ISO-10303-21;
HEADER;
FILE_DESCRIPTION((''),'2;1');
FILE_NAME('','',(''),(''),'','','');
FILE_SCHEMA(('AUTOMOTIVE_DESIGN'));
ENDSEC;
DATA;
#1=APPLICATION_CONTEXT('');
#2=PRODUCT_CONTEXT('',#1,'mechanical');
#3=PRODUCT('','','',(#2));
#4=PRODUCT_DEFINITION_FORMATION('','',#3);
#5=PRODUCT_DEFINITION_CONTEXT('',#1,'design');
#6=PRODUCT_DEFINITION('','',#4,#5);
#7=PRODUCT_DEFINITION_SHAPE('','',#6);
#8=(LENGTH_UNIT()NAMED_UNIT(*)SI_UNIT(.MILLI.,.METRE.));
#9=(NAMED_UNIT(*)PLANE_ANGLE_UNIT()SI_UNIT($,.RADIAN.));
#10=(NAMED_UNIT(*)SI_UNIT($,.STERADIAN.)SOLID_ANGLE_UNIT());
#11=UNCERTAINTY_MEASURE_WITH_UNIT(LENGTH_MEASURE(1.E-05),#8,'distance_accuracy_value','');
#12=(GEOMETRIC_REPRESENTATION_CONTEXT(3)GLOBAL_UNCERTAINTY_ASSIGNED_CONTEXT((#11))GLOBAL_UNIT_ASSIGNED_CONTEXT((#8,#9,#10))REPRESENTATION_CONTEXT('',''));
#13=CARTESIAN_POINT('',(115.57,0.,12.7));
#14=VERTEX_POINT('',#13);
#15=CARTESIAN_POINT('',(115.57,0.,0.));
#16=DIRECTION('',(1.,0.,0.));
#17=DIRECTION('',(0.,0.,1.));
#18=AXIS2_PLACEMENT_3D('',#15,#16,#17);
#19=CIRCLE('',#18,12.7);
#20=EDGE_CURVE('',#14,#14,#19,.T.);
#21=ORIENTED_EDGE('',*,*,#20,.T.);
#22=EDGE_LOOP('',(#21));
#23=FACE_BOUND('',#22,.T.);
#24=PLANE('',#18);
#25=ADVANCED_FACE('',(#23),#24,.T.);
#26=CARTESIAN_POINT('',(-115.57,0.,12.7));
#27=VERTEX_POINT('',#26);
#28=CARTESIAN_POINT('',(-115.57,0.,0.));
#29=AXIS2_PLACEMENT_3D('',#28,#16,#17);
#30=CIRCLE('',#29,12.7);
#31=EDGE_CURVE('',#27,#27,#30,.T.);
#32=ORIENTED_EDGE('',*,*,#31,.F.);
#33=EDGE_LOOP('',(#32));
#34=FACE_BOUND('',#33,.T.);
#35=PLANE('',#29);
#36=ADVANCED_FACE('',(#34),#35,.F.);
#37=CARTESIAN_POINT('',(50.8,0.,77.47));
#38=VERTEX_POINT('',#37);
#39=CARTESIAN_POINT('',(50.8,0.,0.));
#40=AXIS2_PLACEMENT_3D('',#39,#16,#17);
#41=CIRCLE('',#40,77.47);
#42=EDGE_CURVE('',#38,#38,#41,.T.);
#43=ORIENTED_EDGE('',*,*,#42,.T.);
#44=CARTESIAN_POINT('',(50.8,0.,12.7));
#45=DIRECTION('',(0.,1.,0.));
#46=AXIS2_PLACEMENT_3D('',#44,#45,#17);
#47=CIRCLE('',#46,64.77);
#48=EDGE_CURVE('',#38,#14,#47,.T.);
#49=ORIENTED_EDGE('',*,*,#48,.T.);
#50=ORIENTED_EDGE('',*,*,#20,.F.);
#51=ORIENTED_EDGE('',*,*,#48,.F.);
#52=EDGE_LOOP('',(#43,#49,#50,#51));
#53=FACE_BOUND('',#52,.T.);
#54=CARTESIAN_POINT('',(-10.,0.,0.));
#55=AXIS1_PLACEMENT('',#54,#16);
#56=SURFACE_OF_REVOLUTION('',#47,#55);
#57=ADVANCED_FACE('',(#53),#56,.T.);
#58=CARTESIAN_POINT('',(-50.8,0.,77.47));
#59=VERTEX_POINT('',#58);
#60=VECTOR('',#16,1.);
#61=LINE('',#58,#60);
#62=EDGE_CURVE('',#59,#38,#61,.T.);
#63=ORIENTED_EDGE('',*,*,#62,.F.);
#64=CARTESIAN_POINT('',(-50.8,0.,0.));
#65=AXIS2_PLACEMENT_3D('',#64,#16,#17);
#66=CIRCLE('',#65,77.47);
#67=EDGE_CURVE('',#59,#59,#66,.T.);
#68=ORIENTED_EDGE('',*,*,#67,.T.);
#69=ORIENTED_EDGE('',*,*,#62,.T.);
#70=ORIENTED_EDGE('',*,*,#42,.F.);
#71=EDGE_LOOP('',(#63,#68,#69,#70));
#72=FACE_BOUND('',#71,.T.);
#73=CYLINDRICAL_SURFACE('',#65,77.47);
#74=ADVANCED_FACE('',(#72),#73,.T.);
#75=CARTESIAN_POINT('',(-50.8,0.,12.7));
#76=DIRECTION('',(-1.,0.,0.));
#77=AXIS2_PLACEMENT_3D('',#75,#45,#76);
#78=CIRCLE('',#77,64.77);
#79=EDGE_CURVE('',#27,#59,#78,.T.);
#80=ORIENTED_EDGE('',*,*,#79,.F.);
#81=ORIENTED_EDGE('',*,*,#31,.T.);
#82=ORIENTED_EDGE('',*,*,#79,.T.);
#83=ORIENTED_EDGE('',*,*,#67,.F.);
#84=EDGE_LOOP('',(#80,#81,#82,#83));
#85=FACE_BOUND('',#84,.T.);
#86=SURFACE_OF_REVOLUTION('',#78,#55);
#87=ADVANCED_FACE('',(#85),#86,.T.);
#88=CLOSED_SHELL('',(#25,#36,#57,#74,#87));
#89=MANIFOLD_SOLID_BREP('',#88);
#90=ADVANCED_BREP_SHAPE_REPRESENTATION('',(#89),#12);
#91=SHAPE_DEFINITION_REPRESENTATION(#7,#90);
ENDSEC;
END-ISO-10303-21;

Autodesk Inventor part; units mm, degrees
ref_plane "YZ Plane" through (0, 0, 0) normal (1, 0, 0) x (0, 1, 0)
ref_plane "XZ Plane" through (0, 0, 0) normal (0, 1, 0) x (-1, 0, 0)
ref_plane "XY Plane" through (0, 0, 0) normal (0, 0, 1) x (1, 0, 0)
sketch "Sketch1" plane through (0, 0, 0) normal (0, 1, 0) x (-1, 0, 0)
  line L0 (115.57, 0) -> (115.57, 12.7)
  line L1 (50.8, 77.47) -> (-50.8, 77.47)
  line L2 (-115.57, 12.7) -> (-115.57, 0)
  arc A0 (115.57, 12.7) -> (50.8, 77.47) centre (50.8, 12.7) ccw
  arc A1 (-50.8, 77.47) -> (-115.57, 12.7) centre (-50.8, 12.7) ccw
  line L3 (180.578, 0) -> (-180.578, 0) projected
  line L4 (115.57, 0) -> (-115.57, 0)
  point P0 (0, 0)
  point P1 (0, 77.47)
  dimension "d0" = 77.47
  dimension "d1" = 12.7
  dimension "d2" = 231.14
revolve "Revolution1" add sketch "Sketch1" angle 360 about axis through (-10, 0, 0) along (1, 0, 0)
properties part number "DMJ_Head"
